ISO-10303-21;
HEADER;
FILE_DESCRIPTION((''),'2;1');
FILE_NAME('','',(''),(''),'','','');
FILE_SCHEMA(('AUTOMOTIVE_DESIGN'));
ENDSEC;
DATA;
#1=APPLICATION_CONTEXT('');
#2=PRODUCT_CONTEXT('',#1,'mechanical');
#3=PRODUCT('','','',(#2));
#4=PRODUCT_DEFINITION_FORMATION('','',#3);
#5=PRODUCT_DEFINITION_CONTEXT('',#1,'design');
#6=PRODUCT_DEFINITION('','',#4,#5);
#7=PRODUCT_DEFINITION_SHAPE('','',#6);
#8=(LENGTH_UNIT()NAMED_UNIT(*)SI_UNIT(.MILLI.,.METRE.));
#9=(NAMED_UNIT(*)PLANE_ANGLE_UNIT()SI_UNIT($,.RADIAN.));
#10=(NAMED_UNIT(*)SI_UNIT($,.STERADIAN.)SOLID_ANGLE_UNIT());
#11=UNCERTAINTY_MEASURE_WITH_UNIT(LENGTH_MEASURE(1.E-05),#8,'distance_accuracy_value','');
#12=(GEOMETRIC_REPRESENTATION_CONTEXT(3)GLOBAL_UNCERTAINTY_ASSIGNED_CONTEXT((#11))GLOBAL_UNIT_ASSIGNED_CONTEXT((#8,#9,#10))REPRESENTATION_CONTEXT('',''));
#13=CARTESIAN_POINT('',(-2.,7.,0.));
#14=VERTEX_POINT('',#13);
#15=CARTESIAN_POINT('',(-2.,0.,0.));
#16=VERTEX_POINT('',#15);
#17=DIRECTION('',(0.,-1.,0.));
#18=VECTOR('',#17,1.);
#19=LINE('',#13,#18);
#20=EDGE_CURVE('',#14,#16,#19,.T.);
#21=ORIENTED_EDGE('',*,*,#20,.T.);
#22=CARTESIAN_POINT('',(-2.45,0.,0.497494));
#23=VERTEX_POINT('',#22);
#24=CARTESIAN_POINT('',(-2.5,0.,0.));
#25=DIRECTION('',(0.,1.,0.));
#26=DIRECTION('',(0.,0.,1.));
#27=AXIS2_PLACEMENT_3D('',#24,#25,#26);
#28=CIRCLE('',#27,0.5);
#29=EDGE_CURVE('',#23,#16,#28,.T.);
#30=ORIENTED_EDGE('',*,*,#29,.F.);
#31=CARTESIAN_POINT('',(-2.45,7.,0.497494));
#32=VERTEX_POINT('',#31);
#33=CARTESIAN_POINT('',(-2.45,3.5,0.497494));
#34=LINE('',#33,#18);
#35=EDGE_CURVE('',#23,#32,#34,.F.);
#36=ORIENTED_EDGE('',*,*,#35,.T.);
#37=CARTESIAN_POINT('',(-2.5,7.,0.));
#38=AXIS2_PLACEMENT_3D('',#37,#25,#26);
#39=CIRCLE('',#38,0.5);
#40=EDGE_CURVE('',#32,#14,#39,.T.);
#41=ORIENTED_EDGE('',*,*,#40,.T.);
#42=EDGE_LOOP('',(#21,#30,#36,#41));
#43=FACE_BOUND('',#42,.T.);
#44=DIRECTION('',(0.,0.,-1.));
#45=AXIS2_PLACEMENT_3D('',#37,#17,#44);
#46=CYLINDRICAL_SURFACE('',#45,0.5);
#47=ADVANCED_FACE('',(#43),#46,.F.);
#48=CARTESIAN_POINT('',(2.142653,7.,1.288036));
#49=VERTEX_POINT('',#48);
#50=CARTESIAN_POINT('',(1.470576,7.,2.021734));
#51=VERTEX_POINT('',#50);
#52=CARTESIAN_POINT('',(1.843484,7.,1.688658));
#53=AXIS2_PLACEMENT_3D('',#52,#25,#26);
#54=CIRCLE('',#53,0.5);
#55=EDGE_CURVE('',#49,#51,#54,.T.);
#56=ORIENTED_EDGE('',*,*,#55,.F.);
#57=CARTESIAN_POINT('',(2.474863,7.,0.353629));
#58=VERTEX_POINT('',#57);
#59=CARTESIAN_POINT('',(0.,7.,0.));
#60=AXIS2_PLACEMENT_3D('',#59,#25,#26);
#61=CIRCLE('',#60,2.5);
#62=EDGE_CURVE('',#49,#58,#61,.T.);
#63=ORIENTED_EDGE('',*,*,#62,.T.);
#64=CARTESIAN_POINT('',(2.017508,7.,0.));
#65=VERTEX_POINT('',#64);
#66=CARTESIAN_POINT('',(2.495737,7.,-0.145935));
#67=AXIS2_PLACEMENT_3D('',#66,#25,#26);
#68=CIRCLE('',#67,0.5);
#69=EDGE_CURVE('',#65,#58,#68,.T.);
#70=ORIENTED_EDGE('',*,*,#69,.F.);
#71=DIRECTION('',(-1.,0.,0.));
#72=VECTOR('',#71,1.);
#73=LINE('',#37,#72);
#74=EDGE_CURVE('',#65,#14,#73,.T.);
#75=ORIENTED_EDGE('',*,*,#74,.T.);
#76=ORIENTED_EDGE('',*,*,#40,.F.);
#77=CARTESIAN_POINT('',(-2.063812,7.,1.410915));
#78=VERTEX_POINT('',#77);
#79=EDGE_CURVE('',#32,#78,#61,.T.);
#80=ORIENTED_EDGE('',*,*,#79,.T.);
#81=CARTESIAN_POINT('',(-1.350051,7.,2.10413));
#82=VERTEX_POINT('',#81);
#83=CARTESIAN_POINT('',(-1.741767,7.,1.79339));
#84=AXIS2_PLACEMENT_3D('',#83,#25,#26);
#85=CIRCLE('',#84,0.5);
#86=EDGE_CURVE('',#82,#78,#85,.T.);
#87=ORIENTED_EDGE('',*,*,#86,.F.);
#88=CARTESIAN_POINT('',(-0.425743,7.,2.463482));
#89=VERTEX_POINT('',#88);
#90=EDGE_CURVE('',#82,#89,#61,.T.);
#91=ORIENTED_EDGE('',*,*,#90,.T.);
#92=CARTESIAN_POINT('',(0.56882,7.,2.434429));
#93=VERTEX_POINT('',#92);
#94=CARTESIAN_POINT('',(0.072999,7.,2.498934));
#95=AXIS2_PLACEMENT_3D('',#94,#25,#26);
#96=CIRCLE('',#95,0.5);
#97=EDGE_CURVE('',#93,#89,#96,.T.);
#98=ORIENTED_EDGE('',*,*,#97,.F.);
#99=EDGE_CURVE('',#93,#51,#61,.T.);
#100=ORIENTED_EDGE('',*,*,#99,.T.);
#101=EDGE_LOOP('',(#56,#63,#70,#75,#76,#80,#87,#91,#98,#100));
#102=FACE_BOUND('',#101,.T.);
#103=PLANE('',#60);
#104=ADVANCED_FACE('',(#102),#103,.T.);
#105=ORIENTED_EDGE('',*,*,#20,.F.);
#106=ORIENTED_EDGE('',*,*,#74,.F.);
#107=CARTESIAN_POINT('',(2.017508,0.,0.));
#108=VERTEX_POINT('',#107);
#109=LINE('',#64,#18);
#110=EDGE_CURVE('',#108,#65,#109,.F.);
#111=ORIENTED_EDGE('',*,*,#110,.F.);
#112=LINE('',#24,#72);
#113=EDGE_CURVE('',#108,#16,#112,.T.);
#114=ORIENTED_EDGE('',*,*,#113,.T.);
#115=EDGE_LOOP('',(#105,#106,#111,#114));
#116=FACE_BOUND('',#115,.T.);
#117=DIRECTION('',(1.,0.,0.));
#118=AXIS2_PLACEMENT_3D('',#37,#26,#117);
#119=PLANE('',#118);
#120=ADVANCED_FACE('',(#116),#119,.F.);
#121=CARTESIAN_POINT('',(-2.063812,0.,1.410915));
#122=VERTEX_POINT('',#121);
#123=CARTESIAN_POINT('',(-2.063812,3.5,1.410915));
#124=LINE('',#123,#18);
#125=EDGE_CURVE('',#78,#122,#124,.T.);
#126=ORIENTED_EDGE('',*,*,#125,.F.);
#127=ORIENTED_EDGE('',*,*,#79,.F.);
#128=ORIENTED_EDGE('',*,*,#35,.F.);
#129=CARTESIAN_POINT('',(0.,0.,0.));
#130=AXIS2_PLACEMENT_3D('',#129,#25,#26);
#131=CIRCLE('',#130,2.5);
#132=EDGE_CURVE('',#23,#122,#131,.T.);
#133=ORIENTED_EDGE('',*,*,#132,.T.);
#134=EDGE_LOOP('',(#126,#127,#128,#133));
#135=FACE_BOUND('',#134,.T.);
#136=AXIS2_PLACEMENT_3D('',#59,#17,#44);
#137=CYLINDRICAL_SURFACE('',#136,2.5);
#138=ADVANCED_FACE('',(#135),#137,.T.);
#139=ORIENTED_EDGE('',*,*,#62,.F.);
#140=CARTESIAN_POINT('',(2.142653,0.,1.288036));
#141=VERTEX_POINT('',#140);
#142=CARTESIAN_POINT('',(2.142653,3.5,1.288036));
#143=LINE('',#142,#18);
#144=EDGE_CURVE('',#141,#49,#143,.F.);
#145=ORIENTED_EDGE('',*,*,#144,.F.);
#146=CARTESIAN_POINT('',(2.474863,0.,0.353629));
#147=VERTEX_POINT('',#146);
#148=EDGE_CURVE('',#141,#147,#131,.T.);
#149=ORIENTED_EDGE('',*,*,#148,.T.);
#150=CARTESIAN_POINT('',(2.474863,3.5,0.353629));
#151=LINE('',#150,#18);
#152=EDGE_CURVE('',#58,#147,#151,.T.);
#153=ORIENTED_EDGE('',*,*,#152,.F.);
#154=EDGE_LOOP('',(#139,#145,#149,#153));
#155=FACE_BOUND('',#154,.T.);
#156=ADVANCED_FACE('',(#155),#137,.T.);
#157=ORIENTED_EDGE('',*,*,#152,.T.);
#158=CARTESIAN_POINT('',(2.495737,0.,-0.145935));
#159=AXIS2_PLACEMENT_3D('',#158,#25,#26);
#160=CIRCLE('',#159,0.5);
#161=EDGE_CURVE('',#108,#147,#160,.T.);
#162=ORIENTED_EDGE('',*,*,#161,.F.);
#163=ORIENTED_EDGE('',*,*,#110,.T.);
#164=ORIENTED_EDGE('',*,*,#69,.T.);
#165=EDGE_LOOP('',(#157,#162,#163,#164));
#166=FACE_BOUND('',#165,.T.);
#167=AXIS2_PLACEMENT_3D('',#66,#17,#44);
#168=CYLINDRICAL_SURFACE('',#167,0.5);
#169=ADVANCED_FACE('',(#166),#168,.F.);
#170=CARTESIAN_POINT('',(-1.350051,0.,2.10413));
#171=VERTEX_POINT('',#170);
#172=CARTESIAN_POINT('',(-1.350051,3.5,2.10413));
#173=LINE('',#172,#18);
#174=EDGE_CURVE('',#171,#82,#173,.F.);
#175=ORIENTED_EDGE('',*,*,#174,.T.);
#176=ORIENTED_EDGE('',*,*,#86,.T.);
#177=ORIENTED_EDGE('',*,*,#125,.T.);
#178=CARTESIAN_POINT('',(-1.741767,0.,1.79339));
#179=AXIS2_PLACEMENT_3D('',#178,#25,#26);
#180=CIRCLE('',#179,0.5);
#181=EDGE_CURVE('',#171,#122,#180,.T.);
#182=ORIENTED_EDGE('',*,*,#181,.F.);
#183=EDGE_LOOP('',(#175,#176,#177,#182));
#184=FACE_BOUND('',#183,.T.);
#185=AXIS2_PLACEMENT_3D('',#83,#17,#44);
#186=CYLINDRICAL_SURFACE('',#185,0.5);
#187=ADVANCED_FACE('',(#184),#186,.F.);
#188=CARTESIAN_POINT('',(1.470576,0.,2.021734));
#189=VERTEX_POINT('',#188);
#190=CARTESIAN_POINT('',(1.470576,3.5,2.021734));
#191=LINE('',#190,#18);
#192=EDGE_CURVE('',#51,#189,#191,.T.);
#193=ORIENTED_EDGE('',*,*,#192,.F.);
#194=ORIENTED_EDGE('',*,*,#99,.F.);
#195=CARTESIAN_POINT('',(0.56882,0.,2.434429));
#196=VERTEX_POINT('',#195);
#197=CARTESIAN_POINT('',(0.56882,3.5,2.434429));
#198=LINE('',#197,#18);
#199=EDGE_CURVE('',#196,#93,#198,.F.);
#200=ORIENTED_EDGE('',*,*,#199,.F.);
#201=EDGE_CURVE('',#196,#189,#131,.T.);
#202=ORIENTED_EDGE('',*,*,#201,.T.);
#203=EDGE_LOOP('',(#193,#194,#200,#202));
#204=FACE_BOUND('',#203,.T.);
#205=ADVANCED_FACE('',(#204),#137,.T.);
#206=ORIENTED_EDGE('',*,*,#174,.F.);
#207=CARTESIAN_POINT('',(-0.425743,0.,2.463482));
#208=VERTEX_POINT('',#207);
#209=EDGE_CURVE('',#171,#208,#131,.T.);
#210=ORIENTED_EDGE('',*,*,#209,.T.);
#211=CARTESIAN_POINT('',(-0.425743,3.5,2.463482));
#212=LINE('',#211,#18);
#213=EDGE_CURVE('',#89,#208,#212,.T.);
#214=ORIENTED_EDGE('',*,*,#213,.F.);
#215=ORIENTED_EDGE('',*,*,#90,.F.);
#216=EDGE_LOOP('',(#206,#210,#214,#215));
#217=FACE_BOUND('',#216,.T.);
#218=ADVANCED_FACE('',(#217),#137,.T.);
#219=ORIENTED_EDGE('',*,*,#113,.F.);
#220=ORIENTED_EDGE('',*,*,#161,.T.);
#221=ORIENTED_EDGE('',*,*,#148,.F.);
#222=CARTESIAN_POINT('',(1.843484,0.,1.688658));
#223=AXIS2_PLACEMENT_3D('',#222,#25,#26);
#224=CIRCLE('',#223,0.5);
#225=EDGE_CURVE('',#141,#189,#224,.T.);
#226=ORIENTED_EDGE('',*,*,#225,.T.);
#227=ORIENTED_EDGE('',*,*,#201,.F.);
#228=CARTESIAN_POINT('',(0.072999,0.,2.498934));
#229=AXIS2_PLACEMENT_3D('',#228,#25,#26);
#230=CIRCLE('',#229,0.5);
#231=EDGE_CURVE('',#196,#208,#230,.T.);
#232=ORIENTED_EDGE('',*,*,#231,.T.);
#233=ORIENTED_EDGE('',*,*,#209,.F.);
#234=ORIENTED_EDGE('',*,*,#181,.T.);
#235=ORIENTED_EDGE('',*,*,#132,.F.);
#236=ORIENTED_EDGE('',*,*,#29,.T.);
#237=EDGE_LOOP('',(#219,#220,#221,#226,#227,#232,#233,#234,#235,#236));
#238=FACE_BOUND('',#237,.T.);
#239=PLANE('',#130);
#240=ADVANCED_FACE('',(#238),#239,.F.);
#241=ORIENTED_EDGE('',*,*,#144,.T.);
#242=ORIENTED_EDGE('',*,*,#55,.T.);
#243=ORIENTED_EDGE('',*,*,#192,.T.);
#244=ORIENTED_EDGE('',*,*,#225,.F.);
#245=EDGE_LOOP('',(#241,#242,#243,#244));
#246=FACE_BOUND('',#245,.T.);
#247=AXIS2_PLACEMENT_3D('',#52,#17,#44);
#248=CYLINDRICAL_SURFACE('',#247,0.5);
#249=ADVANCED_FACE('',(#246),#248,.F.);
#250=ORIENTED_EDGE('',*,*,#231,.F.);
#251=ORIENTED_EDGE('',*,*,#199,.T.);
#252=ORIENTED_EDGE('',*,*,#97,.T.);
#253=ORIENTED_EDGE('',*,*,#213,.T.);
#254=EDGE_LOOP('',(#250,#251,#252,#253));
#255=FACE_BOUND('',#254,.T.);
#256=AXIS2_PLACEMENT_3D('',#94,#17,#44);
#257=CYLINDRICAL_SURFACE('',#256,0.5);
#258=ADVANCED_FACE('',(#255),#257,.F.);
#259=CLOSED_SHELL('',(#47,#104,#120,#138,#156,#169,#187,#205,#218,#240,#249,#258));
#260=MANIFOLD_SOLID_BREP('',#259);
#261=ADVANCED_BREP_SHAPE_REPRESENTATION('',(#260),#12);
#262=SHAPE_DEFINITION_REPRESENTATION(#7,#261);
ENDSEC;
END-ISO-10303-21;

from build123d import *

# Parameters (mm, degrees)
BOSS_EXTRUDE2_DEPTH = 7
SKETCH3_R           = 0.5
CUT_EXTRUDE3_DEPTH  = 8.842193571


with BuildPart() as part:
    # Sketch1 → Boss-Extrude2 (new body)
    with BuildSketch(Plane(origin=(0, 0, 0), x_dir=(1, 0, 0), z_dir=(0, 1, 0))):
        with BuildLine():
            Line((-2.5, 0), (2.5, 0))
            ThreePointArc((2.5, 0), (0, -2.5), (-2.5, 0))
        make_face()
    extrude(amount=BOSS_EXTRUDE2_DEPTH)

    # Sketch3 → Cut-Extrude3 (cut, through all)
    with BuildSketch(Plane(origin=(0, 0, 0), x_dir=(1, 0, 0), z_dir=(0, 1, 0))):
        with Locations((-2.5, 0)):
            Circle(SKETCH3_R)
        with Locations((-1.741766773, -1.793390227)):
            Circle(SKETCH3_R)
        with Locations((0.072998806, -2.498934008)):
            Circle(SKETCH3_R)
        with Locations((1.843484289, -1.688657951)):
            Circle(SKETCH3_R)
        with Locations((2.495736939, 0.145935359)):
            Circle(SKETCH3_R)
    extrude(amount=CUT_EXTRUDE3_DEPTH, mode=Mode.SUBTRACT)


solid = part.part
